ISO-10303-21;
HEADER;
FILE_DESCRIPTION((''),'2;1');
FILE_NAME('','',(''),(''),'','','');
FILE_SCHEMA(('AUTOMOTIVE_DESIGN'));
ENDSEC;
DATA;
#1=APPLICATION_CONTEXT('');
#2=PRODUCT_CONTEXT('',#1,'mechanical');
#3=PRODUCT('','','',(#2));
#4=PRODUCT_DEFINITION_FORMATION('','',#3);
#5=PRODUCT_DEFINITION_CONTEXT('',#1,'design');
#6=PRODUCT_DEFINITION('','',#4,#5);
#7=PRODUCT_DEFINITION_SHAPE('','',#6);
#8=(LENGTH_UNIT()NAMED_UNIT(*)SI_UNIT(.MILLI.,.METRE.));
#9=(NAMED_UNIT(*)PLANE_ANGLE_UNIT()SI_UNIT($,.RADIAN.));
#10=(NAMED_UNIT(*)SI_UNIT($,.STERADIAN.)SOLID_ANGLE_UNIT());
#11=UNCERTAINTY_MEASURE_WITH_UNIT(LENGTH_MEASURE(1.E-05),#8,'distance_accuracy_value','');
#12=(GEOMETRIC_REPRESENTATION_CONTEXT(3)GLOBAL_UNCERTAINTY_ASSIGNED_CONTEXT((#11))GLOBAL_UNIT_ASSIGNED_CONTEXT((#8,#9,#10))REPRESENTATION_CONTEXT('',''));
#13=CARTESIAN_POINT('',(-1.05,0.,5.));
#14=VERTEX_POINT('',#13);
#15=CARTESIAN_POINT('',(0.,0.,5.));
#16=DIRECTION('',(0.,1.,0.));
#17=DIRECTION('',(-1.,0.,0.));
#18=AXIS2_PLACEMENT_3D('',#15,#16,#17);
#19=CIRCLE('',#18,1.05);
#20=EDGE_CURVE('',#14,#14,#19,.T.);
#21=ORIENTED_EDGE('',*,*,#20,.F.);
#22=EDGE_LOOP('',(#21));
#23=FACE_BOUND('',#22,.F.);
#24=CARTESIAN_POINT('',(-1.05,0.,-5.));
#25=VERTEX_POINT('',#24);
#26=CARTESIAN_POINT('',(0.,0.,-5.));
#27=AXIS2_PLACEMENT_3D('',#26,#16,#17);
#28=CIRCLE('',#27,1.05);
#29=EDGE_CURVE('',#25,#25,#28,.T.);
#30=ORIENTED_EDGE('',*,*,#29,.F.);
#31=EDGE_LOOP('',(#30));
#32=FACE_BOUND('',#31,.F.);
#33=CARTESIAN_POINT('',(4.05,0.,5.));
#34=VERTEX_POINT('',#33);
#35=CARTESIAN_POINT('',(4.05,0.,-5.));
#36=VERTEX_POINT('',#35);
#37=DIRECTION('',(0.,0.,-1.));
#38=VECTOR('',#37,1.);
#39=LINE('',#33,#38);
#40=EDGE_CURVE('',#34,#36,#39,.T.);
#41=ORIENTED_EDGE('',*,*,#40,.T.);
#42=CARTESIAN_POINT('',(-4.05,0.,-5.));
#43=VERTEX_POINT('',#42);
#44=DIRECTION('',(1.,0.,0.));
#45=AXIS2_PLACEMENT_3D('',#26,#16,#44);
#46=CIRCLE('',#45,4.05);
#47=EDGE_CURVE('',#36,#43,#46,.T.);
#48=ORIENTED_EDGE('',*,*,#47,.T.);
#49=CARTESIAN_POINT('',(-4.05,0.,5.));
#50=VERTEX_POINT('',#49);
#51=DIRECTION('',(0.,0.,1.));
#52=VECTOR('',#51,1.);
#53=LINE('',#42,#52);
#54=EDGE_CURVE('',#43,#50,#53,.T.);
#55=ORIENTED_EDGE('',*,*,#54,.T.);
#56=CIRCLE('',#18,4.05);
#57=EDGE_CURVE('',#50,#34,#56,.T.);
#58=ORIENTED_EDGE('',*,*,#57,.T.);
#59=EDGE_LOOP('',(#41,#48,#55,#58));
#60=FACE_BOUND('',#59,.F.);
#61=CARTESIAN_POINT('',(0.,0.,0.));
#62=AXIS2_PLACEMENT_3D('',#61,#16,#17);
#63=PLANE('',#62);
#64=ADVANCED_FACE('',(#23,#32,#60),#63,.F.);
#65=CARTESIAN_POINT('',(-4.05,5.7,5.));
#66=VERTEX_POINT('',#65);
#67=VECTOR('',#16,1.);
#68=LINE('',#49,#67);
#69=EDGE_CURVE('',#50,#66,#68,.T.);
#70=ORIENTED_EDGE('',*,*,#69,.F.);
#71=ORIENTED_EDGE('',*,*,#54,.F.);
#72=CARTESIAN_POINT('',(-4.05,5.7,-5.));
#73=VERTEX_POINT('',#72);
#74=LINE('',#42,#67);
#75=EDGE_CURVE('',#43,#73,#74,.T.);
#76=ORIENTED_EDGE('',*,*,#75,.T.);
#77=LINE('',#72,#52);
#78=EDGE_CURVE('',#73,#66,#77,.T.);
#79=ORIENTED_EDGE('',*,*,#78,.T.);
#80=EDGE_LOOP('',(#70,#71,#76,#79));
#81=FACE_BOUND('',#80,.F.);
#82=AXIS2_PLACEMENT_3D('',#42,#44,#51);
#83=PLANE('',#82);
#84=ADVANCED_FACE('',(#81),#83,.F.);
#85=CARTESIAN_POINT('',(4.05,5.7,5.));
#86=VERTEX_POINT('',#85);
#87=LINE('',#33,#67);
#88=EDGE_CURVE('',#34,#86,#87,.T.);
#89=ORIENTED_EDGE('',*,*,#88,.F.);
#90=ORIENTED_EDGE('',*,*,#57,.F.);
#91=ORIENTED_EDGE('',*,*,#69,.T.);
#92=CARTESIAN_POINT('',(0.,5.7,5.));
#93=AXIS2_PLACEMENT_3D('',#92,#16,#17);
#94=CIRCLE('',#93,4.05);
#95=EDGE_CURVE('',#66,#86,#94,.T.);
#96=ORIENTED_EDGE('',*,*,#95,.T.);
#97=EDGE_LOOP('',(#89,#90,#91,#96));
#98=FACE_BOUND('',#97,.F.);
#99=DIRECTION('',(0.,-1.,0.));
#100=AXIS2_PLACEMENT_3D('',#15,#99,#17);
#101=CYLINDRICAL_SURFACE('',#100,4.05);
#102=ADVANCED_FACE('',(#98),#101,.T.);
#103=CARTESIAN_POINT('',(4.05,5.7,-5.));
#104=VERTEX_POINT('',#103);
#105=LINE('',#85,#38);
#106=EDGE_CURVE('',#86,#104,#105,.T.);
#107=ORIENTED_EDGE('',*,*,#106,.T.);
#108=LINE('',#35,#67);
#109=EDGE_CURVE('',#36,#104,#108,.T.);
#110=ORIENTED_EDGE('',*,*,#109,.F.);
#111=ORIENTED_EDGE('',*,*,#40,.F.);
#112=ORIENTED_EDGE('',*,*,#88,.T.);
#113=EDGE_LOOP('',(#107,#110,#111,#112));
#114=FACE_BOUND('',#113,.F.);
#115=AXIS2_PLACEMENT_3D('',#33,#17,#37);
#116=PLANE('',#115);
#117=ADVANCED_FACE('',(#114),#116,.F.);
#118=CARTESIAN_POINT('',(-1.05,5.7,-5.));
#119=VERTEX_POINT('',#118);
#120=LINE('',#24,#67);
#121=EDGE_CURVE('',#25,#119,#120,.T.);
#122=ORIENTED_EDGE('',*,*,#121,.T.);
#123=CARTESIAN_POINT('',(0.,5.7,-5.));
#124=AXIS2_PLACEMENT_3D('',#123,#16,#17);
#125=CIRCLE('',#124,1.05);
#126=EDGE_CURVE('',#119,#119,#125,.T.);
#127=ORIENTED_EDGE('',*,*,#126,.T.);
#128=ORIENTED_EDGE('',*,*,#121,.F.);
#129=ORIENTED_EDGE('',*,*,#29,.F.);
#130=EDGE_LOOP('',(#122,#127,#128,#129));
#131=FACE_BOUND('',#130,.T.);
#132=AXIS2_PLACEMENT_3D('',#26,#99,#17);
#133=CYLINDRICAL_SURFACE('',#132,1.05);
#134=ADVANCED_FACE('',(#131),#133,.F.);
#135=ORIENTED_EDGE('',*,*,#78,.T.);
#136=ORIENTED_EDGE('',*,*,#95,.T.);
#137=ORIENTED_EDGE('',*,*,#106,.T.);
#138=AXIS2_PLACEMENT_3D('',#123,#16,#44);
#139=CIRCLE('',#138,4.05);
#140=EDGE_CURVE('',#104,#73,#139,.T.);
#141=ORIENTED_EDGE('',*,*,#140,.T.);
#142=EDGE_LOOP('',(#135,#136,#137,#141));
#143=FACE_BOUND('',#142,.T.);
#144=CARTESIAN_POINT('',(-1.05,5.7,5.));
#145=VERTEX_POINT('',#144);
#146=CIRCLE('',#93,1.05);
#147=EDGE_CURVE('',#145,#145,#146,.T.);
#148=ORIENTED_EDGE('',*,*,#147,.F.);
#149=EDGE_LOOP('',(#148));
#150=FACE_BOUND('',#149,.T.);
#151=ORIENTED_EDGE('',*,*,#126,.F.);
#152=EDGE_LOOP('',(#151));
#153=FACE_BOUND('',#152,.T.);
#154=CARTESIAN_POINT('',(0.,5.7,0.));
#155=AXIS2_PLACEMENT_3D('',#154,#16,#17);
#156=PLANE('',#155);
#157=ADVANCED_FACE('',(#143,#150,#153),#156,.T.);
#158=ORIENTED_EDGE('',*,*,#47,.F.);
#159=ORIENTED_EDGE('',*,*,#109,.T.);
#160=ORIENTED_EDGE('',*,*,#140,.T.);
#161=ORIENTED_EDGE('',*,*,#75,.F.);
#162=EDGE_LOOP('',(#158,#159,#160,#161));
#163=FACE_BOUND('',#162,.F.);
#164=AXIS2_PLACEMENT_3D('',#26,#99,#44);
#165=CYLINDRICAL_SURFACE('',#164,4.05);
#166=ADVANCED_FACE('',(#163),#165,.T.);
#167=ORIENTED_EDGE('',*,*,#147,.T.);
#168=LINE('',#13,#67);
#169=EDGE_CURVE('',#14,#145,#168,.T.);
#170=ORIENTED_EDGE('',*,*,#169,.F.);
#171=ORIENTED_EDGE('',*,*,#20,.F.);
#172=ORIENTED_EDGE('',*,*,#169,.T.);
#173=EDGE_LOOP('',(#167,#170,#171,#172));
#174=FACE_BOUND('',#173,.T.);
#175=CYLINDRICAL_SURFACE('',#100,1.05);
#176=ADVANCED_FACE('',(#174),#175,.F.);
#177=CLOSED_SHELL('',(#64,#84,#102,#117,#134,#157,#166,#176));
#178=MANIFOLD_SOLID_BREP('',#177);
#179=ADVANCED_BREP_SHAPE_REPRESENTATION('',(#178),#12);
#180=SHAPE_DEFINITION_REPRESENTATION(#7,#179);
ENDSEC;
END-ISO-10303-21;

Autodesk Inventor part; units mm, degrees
ref_plane "YZ Plane" through (0, 0, 0) normal (1, 0, 0) x (0, 1, 0)
ref_plane "XZ Plane" through (0, 0, 0) normal (0, 1, 0) x (-1, 0, 0)
ref_plane "XY Plane" through (0, 0, 0) normal (0, 0, 1) x (1, 0, 0)
sketch "Skizze1" plane through (0, 0, 0) normal (0, 1, 0) x (-1, 0, 0)
  circle A0 centre (0, 5) radius 1.05
  circle A1 centre (0, -5) radius 1.05
  line L0 (0, 5) -> (0, -5) construction
  line L1 (0, 5) -> (0, -5) construction
  line L2 (-4.05, 5) -> (-4.05, -5)
  line L3 (4.05, -5) -> (4.05, 5)
  arc A2 (4.05, 5) -> (-4.05, 5) centre (0, 5) ccw
  arc A3 (-4.05, -5) -> (4.05, -5) centre (0, -5) ccw
  point P0 (0, 0)
  point P1 (0, 0)
  point P2 (0, 0)
  dimension "d0" = 2.1
  dimension "d1" = 3
  dimension "d2" = 10
extrude "Extrusion1" add sketch "Skizze1" along normal blind 5.7
properties part number "_3D-Druck"
